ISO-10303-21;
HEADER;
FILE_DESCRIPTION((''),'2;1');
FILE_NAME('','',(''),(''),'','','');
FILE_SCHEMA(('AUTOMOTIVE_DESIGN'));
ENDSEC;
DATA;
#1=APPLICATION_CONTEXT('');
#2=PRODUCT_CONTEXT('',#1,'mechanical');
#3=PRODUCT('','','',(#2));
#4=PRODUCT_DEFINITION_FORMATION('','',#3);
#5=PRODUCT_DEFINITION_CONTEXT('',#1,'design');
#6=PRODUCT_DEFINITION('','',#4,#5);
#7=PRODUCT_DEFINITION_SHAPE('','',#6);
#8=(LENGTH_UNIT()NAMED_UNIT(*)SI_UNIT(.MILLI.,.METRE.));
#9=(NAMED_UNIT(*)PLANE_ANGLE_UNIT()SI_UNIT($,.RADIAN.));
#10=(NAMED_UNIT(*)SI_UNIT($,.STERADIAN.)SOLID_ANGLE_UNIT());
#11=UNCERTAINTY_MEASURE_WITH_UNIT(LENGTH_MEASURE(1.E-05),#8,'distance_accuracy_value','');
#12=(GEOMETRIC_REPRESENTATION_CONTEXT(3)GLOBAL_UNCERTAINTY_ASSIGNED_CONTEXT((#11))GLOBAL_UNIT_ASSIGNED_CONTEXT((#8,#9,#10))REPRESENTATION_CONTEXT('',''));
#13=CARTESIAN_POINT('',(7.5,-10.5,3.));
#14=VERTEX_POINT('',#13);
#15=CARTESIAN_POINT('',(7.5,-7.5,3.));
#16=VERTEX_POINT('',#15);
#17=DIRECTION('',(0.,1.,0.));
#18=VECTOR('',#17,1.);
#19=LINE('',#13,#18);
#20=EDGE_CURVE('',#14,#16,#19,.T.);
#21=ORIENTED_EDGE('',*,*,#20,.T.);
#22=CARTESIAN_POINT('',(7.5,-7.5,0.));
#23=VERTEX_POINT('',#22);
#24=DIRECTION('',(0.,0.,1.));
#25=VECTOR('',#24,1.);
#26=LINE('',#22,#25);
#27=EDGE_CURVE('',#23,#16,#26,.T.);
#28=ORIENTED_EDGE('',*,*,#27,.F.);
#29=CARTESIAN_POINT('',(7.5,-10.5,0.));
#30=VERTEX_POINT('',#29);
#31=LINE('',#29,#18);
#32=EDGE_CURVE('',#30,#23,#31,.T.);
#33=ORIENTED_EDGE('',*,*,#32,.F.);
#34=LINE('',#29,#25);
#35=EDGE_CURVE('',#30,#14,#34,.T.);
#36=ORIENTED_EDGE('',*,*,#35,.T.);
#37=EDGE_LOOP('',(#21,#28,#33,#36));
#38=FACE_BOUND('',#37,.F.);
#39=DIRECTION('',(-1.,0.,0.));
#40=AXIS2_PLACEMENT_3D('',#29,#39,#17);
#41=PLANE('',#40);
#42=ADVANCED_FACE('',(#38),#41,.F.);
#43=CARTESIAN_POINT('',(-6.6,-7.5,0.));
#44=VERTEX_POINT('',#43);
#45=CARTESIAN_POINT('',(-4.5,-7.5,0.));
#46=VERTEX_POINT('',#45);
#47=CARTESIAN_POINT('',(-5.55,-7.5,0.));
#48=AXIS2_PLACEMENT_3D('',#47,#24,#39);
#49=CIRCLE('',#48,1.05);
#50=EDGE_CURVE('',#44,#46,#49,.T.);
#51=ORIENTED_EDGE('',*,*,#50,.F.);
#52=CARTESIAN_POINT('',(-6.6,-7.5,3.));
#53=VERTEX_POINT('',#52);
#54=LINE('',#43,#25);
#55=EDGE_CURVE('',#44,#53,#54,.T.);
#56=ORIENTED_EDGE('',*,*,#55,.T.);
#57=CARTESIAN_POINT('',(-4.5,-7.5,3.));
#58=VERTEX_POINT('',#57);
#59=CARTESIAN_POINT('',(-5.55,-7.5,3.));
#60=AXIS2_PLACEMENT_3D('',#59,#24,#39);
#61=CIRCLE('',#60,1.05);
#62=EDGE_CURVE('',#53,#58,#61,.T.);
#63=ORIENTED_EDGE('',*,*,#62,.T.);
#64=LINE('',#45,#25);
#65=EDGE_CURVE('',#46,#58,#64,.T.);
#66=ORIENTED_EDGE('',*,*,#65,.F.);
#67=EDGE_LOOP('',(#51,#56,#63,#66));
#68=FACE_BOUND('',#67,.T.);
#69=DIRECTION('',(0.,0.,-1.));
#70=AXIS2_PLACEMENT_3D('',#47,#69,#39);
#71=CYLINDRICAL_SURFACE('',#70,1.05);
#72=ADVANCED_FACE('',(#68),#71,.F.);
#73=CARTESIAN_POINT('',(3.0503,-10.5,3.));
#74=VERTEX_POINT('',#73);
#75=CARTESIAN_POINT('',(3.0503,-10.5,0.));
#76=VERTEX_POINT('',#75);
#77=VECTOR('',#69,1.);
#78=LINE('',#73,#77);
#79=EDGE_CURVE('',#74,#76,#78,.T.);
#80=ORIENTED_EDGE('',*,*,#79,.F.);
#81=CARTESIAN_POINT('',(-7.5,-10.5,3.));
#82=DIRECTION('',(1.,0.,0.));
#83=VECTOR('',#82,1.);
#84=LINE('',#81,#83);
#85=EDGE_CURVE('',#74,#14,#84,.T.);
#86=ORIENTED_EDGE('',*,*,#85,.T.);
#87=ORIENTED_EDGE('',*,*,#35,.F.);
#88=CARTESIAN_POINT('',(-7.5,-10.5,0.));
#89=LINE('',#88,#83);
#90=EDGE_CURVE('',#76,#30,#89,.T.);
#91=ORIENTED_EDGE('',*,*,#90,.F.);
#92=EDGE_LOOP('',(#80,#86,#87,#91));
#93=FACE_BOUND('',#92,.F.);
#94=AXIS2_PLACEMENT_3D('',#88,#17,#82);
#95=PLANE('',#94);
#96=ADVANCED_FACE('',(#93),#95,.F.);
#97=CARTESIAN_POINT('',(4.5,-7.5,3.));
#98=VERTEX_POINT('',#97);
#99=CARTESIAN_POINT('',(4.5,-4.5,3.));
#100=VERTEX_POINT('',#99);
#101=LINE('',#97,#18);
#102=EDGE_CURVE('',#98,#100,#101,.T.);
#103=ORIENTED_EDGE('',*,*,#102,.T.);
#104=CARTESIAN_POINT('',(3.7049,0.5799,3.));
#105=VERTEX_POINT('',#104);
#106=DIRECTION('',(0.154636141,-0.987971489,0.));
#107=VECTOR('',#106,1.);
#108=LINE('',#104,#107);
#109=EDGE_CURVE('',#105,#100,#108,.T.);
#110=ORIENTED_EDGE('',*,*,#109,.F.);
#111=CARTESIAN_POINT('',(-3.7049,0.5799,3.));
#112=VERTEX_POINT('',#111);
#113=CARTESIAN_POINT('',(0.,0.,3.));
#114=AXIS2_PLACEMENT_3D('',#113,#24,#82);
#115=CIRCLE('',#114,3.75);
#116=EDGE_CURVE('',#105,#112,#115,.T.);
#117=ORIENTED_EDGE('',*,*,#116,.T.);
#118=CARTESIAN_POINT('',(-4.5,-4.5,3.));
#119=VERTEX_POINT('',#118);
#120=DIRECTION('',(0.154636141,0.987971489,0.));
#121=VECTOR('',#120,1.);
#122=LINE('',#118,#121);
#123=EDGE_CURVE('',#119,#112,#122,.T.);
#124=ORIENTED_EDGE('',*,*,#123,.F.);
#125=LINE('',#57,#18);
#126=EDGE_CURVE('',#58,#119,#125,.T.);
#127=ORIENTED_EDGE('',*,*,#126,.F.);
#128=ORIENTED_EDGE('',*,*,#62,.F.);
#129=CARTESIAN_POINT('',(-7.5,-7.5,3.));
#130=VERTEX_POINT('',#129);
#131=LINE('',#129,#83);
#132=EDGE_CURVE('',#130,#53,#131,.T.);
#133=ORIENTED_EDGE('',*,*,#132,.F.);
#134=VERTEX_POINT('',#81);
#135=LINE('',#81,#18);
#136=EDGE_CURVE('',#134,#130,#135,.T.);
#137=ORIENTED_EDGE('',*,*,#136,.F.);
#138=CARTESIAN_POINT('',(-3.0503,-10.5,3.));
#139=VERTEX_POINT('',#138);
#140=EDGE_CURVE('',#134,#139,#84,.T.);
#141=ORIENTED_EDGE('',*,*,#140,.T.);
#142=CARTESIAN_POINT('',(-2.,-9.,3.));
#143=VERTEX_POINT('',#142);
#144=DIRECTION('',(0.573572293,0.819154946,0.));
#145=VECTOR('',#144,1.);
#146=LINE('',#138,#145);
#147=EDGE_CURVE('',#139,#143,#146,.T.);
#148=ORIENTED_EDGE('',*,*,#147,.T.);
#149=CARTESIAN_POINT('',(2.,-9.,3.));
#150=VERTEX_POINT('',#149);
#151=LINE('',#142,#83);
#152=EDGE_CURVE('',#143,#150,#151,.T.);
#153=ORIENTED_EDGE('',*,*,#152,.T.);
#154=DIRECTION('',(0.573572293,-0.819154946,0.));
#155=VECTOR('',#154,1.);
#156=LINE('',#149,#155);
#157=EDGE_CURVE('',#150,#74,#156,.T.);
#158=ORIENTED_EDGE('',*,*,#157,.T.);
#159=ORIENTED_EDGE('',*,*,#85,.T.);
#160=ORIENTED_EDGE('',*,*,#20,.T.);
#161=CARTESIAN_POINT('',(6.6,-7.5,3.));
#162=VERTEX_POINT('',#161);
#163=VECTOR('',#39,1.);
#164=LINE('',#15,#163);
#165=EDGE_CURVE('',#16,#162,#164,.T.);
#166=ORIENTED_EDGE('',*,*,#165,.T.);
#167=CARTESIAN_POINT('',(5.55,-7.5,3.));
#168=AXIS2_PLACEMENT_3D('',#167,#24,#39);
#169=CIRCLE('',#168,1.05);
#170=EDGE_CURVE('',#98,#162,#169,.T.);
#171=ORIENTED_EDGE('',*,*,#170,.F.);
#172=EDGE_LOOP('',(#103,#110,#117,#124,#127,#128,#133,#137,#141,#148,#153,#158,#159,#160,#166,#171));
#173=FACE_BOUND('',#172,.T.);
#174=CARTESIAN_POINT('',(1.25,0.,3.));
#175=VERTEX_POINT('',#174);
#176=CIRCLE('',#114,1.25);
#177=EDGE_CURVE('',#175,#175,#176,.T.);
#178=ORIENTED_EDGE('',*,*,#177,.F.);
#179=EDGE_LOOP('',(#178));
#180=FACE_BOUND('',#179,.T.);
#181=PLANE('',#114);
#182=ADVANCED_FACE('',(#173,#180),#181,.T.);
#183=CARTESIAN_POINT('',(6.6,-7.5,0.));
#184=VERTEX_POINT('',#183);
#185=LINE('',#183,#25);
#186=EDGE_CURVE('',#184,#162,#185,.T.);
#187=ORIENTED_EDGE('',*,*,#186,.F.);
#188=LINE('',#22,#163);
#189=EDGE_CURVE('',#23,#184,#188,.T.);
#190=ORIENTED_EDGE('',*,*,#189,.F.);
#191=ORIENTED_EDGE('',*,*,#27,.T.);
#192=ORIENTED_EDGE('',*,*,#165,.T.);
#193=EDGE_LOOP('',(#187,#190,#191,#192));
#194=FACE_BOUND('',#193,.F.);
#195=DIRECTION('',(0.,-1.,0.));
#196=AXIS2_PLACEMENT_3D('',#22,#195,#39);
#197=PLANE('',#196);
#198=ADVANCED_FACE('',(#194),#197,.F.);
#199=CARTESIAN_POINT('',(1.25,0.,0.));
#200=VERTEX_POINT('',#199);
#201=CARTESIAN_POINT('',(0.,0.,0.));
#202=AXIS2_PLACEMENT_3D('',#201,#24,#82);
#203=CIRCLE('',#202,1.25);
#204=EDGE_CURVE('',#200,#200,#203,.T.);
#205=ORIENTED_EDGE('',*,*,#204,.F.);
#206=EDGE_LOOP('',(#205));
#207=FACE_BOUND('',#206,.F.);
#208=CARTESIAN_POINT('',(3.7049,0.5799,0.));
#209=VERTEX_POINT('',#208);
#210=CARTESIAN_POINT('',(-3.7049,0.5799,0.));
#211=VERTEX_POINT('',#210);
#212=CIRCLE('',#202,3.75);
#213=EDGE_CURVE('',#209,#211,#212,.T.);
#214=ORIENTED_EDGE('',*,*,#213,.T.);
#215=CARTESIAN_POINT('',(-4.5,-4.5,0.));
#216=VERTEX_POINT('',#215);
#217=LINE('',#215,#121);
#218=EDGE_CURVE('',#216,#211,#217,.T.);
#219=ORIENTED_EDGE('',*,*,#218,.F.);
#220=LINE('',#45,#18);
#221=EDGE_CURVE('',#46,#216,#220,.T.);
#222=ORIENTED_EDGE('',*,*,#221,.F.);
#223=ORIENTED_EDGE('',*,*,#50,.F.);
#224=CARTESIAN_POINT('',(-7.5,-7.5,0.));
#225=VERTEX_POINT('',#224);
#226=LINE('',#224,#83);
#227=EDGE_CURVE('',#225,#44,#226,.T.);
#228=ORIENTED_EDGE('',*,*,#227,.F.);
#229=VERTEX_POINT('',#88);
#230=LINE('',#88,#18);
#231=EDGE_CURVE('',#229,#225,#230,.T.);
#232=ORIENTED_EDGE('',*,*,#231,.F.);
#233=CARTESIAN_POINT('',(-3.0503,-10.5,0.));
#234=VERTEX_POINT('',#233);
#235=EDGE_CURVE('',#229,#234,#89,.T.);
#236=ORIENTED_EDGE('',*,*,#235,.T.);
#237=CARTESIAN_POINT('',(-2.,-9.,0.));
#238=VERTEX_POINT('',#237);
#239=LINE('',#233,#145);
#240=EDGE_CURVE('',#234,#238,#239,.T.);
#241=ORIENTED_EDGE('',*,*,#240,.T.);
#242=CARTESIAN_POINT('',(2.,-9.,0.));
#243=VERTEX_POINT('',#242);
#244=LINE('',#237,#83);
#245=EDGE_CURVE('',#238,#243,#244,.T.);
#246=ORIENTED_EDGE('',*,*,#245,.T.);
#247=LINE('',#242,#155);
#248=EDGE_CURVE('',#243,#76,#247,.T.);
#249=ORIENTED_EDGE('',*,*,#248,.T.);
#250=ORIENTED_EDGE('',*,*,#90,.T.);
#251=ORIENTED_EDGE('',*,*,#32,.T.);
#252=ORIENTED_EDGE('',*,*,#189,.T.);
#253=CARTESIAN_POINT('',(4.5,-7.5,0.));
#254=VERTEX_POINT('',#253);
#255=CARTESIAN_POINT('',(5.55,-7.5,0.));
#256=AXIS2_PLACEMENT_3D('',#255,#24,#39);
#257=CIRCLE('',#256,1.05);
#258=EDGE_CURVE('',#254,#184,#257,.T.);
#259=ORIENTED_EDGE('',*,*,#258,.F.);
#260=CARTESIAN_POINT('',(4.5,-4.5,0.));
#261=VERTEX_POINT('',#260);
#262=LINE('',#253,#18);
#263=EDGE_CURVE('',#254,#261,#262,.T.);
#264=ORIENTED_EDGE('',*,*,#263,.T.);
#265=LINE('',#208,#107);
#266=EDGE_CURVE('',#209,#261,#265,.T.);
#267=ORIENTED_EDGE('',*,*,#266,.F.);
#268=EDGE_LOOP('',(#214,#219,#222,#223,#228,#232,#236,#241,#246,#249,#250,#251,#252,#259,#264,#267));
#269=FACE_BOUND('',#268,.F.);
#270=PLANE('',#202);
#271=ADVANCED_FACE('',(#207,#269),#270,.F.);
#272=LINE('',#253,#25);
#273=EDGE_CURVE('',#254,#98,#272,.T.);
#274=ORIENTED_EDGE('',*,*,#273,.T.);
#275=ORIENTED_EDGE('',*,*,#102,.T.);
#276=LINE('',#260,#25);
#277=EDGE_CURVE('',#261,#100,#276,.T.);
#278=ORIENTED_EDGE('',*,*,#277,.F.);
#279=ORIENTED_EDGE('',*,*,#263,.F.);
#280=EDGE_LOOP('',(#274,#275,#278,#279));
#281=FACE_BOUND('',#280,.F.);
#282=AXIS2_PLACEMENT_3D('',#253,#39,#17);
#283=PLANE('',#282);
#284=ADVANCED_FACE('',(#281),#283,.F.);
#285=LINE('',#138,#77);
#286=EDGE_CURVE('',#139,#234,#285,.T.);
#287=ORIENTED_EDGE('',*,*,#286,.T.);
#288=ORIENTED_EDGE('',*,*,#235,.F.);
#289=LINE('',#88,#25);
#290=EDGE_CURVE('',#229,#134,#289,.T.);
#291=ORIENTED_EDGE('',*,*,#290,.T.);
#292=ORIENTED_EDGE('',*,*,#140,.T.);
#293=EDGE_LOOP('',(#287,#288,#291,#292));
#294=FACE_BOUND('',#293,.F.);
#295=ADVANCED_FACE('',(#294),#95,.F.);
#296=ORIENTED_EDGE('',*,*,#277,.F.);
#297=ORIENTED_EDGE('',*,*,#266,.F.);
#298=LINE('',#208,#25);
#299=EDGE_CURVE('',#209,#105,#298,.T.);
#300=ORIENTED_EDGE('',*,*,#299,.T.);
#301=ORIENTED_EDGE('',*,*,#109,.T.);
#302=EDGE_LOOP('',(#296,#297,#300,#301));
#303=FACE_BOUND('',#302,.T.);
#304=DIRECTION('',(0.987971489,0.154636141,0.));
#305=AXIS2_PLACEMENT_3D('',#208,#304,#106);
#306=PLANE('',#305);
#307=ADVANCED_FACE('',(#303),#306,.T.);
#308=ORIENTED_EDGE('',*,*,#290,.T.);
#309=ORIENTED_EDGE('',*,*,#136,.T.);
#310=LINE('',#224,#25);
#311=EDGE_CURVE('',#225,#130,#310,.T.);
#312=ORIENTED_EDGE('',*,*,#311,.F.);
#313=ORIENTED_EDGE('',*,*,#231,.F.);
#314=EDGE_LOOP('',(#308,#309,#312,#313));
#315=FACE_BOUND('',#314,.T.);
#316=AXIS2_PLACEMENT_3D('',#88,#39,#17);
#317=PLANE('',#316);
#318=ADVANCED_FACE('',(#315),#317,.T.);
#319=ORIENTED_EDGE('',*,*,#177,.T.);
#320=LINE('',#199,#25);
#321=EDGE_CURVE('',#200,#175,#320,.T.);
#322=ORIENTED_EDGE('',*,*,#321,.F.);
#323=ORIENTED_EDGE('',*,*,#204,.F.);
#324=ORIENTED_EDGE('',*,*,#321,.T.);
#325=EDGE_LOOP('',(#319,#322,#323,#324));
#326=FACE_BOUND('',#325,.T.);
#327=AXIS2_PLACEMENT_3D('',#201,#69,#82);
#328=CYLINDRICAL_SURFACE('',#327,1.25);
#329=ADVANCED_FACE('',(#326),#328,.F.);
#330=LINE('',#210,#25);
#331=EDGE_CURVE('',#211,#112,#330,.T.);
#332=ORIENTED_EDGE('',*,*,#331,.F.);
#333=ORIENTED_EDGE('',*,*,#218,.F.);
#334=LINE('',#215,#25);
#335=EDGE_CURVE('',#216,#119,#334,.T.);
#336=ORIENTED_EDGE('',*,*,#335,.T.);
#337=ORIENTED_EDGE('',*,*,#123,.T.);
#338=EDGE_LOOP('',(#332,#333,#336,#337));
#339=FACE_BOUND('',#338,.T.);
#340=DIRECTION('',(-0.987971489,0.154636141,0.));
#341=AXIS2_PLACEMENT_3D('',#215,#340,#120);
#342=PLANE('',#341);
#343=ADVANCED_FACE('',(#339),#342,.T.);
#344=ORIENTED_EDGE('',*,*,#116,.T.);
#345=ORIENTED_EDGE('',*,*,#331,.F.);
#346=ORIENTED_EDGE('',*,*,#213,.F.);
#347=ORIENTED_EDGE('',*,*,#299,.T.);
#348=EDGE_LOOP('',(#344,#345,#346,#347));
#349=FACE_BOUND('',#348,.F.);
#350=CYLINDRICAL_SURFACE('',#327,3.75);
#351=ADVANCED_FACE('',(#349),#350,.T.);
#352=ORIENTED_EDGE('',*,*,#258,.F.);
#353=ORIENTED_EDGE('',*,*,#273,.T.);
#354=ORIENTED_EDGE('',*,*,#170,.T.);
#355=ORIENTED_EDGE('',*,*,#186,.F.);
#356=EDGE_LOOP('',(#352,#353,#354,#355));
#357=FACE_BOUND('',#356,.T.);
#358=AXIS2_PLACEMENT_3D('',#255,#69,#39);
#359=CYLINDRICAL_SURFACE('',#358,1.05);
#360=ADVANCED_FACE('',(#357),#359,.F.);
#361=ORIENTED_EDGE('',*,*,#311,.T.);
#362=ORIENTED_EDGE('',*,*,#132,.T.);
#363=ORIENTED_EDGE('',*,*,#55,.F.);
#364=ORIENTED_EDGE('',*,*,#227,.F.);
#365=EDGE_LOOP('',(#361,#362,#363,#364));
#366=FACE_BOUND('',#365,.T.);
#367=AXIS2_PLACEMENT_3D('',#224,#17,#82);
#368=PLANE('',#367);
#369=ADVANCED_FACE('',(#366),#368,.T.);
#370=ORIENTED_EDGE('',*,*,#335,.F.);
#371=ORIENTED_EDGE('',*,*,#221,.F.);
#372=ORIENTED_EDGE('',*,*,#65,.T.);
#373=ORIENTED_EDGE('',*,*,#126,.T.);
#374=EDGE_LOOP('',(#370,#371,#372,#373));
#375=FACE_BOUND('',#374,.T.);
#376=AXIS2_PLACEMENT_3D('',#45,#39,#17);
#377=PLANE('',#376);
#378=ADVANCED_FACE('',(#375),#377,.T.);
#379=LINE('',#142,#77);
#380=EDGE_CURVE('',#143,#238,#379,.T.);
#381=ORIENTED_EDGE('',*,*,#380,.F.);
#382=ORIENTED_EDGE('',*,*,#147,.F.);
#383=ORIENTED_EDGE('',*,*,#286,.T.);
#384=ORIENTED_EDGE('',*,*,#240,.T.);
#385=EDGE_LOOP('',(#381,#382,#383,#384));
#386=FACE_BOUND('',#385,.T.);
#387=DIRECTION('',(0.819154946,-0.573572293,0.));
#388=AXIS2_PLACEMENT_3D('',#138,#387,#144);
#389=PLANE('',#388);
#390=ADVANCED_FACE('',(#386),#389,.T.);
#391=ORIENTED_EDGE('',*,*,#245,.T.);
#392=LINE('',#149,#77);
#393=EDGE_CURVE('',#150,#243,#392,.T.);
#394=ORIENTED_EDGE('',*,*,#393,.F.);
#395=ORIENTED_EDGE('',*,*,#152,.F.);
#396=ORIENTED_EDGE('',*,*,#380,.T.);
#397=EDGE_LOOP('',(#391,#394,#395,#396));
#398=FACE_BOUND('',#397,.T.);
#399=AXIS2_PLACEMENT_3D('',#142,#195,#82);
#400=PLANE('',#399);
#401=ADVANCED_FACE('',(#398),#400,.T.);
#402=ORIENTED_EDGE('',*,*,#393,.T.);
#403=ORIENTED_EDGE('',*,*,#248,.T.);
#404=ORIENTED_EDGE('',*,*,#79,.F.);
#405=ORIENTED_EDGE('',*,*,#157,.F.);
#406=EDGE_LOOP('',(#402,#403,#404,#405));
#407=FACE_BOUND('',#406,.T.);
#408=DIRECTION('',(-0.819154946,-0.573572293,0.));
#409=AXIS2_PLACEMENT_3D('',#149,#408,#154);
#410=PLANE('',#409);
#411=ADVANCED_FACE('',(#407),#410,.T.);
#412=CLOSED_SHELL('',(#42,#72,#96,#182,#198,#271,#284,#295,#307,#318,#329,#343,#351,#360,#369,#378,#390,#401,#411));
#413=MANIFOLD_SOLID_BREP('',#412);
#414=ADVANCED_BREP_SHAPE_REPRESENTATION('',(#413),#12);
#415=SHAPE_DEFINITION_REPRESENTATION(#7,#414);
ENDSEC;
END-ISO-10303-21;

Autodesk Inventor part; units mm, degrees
ref_plane "YZ Plane" through (0, 0, 0) normal (1, 0, 0) x (0, 1, 0)
ref_plane "XZ Plane" through (0, 0, 0) normal (0, 1, 0) x (-1, 0, 0)
ref_plane "XY Plane" through (0, 0, 0) normal (0, 0, 1) x (1, 0, 0)
sketch "スケッチ1" plane through (0, 0, 0) normal (0, 0, 1) x (1, 0, 0)
  circle A0 centre (0, 0) radius 1.25
  circle A1 centre (0, 0) radius 3.75
  line L0 (-7.5, -10.5) -> (7.5, -10.5)
  line L1 (7.5, -10.5) -> (7.5, -7.5)
  line L2 (7.5, -7.5) -> (4.5, -7.5)
  line L3 (4.5, -7.5) -> (4.5, -4.5)
  line L4 (-7.5, -10.5) -> (-7.5, -7.5)
  line L5 (-7.5, -7.5) -> (-4.5, -7.5)
  line L6 (-4.5, -7.5) -> (-4.5, -4.5)
  line L7 (-4.5, -4.5) -> (-3.7049, 0.5799)
  line L8 (3.7049, 0.5799) -> (4.5, -4.5)
  arc A2 (-6.6, -7.5) -> (-4.5, -7.5) centre (-5.55, -7.5) ccw
  arc A3 (4.5, -7.5) -> (6.6, -7.5) centre (5.55, -7.5) ccw
  dimension "d0" = 2.5
  dimension "d1" = 7.5
  dimension "d2" = 15
  dimension "d3" = 3
  dimension "d4" = 3
  dimension "d5" = 3
  dimension "d6" = 3
  dimension "d7" = 3
  dimension "d8" = 3
  dimension "d9" = 4.5
  dimension "d10" = 7.5
  dimension "d11" = 2.1
  dimension "d12" = 2.1
extrude "押し出し1" add sketch "スケッチ1" along normal blind 3 contours A1 | A1 L8 L3 A3 L2 L1 L0 L4 L5 A2 L6 L7
sketch "スケッチ2" plane through (0, 0, 3) normal (0, 0, 1) x (1, 0, 0)
  circle A0 centre (0, 0) radius 1.25 projected
  arc A1 (3.7049, 0.5799) -> (-3.7049, 0.5799) centre (0, 0) ccw projected
  line L0 (-3.7049, 0.5799) -> (-4.5, -4.5) projected
  line L1 (-4.5, -4.5) -> (-4.5, -7.5) projected
  arc A2 (-6.6, -7.5) -> (-4.5, -7.5) centre (-5.55, -7.5) ccw projected
  line L2 (-6.6, -7.5) -> (-7.5, -7.5) projected
  line L3 (-7.5, -7.5) -> (-7.5, -10.5) projected
  line L4 (-7.5, -10.5) -> (7.5, -10.5) projected
  line L5 (7.5, -10.5) -> (7.5, -7.5) projected
  line L6 (7.5, -7.5) -> (6.6, -7.5) projected
  arc A3 (4.5, -7.5) -> (6.6, -7.5) centre (5.55, -7.5) ccw projected
  line L7 (4.5, -7.5) -> (4.5, -4.5) projected
  line L8 (4.5, -4.5) -> (3.7049, 0.5799) projected
  line L9 (-3.0503, -10.5) -> (-2, -9)
  line L10 (-2, -9) -> (2, -9)
  line L11 (2, -9) -> (3.0503, -10.5)
  dimension "d15" = 125
  dimension "d16" = 125
  dimension "d17" = 4
  dimension "d18" = 2
  dimension "d19" = 1.5
extrude "押し出し2" cut sketch "スケッチ2" against normal blind 3 contours L4 L9 L10 L11
properties part number "新型４留め具" material "アルミニウム 2014-T4"
